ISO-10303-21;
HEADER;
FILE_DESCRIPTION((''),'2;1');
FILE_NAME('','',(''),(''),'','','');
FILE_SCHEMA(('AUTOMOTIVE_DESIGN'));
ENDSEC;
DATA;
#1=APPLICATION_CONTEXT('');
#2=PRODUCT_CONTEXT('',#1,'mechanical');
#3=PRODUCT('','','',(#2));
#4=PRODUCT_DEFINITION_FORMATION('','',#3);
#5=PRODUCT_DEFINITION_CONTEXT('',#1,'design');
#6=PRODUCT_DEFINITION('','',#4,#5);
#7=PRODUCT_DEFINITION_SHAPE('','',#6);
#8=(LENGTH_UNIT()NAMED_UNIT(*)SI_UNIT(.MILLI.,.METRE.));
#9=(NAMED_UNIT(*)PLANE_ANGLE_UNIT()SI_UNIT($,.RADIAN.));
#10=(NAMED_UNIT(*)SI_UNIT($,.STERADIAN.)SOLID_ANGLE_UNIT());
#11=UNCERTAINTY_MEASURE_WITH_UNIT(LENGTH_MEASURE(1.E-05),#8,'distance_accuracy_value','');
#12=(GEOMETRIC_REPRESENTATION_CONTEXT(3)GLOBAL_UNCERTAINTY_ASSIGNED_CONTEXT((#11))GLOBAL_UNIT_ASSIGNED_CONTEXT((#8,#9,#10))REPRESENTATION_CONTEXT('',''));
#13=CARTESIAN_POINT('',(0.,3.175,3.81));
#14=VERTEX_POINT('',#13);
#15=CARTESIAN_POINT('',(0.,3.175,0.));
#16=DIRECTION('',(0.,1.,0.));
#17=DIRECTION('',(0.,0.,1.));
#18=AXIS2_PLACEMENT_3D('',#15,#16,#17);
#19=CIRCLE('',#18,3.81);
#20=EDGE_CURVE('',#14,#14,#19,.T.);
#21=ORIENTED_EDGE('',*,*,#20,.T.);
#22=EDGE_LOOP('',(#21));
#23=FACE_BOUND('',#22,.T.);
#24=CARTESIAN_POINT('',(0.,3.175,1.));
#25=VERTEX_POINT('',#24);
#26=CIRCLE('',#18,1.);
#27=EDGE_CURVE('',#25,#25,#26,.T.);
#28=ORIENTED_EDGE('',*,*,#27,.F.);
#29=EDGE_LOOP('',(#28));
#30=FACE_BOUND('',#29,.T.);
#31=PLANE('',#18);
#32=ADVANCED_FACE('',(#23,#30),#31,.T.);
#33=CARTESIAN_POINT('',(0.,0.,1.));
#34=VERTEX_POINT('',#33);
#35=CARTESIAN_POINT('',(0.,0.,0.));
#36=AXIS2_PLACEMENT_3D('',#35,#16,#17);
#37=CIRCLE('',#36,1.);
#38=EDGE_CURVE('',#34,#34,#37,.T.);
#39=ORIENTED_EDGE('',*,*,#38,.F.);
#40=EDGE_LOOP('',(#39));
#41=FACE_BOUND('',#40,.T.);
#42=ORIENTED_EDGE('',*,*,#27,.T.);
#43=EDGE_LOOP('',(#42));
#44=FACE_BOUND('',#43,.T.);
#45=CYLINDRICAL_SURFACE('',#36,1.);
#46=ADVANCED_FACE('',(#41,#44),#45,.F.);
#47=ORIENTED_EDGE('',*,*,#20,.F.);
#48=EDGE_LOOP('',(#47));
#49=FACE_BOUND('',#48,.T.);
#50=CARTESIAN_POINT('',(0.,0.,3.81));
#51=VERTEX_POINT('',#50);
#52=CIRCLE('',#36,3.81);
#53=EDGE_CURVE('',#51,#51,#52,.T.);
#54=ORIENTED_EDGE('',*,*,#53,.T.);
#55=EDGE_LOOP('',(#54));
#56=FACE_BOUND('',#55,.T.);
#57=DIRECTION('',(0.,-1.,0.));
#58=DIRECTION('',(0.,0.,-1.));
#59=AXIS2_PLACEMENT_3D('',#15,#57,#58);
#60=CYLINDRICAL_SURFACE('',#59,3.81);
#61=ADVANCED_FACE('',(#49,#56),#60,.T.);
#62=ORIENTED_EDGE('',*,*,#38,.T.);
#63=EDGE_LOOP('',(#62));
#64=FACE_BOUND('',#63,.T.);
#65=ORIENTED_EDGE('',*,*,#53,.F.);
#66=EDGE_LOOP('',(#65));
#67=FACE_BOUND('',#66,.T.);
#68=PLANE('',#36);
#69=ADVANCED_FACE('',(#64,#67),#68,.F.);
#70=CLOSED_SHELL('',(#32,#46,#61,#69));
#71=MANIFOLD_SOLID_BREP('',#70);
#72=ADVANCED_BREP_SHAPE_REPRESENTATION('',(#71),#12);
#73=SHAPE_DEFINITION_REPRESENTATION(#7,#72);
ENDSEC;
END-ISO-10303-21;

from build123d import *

# Parameters (mm, degrees)
SKETCH1_R           = 3.81
BOSS_EXTRUDE1_DEPTH = 3.175
SKETCH2_R           = 1
CUT_EXTRUDE1_DEPTH  = 3.175


with BuildPart() as part:
    # Sketch1 → Boss-Extrude1 (new body)
    with BuildSketch(Plane(origin=(0, 0, 0), x_dir=(1, 0, 0), z_dir=(0, 1, 0))):
        with Locations(Location((0, 0, 0), (0, 0, 270))):
            Circle(SKETCH1_R)
    extrude(amount=BOSS_EXTRUDE1_DEPTH)

    # Sketch2 → Cut-Extrude1 (cut)
    with BuildSketch(Plane(origin=(0, 3.175, 0), x_dir=(1, 0, 0), z_dir=(0, 1, 0))):
        with Locations(Location((0, 0, 0), (0, 0, 270))):
            Circle(SKETCH2_R)
    extrude(amount=-CUT_EXTRUDE1_DEPTH, mode=Mode.SUBTRACT)


solid = part.part
